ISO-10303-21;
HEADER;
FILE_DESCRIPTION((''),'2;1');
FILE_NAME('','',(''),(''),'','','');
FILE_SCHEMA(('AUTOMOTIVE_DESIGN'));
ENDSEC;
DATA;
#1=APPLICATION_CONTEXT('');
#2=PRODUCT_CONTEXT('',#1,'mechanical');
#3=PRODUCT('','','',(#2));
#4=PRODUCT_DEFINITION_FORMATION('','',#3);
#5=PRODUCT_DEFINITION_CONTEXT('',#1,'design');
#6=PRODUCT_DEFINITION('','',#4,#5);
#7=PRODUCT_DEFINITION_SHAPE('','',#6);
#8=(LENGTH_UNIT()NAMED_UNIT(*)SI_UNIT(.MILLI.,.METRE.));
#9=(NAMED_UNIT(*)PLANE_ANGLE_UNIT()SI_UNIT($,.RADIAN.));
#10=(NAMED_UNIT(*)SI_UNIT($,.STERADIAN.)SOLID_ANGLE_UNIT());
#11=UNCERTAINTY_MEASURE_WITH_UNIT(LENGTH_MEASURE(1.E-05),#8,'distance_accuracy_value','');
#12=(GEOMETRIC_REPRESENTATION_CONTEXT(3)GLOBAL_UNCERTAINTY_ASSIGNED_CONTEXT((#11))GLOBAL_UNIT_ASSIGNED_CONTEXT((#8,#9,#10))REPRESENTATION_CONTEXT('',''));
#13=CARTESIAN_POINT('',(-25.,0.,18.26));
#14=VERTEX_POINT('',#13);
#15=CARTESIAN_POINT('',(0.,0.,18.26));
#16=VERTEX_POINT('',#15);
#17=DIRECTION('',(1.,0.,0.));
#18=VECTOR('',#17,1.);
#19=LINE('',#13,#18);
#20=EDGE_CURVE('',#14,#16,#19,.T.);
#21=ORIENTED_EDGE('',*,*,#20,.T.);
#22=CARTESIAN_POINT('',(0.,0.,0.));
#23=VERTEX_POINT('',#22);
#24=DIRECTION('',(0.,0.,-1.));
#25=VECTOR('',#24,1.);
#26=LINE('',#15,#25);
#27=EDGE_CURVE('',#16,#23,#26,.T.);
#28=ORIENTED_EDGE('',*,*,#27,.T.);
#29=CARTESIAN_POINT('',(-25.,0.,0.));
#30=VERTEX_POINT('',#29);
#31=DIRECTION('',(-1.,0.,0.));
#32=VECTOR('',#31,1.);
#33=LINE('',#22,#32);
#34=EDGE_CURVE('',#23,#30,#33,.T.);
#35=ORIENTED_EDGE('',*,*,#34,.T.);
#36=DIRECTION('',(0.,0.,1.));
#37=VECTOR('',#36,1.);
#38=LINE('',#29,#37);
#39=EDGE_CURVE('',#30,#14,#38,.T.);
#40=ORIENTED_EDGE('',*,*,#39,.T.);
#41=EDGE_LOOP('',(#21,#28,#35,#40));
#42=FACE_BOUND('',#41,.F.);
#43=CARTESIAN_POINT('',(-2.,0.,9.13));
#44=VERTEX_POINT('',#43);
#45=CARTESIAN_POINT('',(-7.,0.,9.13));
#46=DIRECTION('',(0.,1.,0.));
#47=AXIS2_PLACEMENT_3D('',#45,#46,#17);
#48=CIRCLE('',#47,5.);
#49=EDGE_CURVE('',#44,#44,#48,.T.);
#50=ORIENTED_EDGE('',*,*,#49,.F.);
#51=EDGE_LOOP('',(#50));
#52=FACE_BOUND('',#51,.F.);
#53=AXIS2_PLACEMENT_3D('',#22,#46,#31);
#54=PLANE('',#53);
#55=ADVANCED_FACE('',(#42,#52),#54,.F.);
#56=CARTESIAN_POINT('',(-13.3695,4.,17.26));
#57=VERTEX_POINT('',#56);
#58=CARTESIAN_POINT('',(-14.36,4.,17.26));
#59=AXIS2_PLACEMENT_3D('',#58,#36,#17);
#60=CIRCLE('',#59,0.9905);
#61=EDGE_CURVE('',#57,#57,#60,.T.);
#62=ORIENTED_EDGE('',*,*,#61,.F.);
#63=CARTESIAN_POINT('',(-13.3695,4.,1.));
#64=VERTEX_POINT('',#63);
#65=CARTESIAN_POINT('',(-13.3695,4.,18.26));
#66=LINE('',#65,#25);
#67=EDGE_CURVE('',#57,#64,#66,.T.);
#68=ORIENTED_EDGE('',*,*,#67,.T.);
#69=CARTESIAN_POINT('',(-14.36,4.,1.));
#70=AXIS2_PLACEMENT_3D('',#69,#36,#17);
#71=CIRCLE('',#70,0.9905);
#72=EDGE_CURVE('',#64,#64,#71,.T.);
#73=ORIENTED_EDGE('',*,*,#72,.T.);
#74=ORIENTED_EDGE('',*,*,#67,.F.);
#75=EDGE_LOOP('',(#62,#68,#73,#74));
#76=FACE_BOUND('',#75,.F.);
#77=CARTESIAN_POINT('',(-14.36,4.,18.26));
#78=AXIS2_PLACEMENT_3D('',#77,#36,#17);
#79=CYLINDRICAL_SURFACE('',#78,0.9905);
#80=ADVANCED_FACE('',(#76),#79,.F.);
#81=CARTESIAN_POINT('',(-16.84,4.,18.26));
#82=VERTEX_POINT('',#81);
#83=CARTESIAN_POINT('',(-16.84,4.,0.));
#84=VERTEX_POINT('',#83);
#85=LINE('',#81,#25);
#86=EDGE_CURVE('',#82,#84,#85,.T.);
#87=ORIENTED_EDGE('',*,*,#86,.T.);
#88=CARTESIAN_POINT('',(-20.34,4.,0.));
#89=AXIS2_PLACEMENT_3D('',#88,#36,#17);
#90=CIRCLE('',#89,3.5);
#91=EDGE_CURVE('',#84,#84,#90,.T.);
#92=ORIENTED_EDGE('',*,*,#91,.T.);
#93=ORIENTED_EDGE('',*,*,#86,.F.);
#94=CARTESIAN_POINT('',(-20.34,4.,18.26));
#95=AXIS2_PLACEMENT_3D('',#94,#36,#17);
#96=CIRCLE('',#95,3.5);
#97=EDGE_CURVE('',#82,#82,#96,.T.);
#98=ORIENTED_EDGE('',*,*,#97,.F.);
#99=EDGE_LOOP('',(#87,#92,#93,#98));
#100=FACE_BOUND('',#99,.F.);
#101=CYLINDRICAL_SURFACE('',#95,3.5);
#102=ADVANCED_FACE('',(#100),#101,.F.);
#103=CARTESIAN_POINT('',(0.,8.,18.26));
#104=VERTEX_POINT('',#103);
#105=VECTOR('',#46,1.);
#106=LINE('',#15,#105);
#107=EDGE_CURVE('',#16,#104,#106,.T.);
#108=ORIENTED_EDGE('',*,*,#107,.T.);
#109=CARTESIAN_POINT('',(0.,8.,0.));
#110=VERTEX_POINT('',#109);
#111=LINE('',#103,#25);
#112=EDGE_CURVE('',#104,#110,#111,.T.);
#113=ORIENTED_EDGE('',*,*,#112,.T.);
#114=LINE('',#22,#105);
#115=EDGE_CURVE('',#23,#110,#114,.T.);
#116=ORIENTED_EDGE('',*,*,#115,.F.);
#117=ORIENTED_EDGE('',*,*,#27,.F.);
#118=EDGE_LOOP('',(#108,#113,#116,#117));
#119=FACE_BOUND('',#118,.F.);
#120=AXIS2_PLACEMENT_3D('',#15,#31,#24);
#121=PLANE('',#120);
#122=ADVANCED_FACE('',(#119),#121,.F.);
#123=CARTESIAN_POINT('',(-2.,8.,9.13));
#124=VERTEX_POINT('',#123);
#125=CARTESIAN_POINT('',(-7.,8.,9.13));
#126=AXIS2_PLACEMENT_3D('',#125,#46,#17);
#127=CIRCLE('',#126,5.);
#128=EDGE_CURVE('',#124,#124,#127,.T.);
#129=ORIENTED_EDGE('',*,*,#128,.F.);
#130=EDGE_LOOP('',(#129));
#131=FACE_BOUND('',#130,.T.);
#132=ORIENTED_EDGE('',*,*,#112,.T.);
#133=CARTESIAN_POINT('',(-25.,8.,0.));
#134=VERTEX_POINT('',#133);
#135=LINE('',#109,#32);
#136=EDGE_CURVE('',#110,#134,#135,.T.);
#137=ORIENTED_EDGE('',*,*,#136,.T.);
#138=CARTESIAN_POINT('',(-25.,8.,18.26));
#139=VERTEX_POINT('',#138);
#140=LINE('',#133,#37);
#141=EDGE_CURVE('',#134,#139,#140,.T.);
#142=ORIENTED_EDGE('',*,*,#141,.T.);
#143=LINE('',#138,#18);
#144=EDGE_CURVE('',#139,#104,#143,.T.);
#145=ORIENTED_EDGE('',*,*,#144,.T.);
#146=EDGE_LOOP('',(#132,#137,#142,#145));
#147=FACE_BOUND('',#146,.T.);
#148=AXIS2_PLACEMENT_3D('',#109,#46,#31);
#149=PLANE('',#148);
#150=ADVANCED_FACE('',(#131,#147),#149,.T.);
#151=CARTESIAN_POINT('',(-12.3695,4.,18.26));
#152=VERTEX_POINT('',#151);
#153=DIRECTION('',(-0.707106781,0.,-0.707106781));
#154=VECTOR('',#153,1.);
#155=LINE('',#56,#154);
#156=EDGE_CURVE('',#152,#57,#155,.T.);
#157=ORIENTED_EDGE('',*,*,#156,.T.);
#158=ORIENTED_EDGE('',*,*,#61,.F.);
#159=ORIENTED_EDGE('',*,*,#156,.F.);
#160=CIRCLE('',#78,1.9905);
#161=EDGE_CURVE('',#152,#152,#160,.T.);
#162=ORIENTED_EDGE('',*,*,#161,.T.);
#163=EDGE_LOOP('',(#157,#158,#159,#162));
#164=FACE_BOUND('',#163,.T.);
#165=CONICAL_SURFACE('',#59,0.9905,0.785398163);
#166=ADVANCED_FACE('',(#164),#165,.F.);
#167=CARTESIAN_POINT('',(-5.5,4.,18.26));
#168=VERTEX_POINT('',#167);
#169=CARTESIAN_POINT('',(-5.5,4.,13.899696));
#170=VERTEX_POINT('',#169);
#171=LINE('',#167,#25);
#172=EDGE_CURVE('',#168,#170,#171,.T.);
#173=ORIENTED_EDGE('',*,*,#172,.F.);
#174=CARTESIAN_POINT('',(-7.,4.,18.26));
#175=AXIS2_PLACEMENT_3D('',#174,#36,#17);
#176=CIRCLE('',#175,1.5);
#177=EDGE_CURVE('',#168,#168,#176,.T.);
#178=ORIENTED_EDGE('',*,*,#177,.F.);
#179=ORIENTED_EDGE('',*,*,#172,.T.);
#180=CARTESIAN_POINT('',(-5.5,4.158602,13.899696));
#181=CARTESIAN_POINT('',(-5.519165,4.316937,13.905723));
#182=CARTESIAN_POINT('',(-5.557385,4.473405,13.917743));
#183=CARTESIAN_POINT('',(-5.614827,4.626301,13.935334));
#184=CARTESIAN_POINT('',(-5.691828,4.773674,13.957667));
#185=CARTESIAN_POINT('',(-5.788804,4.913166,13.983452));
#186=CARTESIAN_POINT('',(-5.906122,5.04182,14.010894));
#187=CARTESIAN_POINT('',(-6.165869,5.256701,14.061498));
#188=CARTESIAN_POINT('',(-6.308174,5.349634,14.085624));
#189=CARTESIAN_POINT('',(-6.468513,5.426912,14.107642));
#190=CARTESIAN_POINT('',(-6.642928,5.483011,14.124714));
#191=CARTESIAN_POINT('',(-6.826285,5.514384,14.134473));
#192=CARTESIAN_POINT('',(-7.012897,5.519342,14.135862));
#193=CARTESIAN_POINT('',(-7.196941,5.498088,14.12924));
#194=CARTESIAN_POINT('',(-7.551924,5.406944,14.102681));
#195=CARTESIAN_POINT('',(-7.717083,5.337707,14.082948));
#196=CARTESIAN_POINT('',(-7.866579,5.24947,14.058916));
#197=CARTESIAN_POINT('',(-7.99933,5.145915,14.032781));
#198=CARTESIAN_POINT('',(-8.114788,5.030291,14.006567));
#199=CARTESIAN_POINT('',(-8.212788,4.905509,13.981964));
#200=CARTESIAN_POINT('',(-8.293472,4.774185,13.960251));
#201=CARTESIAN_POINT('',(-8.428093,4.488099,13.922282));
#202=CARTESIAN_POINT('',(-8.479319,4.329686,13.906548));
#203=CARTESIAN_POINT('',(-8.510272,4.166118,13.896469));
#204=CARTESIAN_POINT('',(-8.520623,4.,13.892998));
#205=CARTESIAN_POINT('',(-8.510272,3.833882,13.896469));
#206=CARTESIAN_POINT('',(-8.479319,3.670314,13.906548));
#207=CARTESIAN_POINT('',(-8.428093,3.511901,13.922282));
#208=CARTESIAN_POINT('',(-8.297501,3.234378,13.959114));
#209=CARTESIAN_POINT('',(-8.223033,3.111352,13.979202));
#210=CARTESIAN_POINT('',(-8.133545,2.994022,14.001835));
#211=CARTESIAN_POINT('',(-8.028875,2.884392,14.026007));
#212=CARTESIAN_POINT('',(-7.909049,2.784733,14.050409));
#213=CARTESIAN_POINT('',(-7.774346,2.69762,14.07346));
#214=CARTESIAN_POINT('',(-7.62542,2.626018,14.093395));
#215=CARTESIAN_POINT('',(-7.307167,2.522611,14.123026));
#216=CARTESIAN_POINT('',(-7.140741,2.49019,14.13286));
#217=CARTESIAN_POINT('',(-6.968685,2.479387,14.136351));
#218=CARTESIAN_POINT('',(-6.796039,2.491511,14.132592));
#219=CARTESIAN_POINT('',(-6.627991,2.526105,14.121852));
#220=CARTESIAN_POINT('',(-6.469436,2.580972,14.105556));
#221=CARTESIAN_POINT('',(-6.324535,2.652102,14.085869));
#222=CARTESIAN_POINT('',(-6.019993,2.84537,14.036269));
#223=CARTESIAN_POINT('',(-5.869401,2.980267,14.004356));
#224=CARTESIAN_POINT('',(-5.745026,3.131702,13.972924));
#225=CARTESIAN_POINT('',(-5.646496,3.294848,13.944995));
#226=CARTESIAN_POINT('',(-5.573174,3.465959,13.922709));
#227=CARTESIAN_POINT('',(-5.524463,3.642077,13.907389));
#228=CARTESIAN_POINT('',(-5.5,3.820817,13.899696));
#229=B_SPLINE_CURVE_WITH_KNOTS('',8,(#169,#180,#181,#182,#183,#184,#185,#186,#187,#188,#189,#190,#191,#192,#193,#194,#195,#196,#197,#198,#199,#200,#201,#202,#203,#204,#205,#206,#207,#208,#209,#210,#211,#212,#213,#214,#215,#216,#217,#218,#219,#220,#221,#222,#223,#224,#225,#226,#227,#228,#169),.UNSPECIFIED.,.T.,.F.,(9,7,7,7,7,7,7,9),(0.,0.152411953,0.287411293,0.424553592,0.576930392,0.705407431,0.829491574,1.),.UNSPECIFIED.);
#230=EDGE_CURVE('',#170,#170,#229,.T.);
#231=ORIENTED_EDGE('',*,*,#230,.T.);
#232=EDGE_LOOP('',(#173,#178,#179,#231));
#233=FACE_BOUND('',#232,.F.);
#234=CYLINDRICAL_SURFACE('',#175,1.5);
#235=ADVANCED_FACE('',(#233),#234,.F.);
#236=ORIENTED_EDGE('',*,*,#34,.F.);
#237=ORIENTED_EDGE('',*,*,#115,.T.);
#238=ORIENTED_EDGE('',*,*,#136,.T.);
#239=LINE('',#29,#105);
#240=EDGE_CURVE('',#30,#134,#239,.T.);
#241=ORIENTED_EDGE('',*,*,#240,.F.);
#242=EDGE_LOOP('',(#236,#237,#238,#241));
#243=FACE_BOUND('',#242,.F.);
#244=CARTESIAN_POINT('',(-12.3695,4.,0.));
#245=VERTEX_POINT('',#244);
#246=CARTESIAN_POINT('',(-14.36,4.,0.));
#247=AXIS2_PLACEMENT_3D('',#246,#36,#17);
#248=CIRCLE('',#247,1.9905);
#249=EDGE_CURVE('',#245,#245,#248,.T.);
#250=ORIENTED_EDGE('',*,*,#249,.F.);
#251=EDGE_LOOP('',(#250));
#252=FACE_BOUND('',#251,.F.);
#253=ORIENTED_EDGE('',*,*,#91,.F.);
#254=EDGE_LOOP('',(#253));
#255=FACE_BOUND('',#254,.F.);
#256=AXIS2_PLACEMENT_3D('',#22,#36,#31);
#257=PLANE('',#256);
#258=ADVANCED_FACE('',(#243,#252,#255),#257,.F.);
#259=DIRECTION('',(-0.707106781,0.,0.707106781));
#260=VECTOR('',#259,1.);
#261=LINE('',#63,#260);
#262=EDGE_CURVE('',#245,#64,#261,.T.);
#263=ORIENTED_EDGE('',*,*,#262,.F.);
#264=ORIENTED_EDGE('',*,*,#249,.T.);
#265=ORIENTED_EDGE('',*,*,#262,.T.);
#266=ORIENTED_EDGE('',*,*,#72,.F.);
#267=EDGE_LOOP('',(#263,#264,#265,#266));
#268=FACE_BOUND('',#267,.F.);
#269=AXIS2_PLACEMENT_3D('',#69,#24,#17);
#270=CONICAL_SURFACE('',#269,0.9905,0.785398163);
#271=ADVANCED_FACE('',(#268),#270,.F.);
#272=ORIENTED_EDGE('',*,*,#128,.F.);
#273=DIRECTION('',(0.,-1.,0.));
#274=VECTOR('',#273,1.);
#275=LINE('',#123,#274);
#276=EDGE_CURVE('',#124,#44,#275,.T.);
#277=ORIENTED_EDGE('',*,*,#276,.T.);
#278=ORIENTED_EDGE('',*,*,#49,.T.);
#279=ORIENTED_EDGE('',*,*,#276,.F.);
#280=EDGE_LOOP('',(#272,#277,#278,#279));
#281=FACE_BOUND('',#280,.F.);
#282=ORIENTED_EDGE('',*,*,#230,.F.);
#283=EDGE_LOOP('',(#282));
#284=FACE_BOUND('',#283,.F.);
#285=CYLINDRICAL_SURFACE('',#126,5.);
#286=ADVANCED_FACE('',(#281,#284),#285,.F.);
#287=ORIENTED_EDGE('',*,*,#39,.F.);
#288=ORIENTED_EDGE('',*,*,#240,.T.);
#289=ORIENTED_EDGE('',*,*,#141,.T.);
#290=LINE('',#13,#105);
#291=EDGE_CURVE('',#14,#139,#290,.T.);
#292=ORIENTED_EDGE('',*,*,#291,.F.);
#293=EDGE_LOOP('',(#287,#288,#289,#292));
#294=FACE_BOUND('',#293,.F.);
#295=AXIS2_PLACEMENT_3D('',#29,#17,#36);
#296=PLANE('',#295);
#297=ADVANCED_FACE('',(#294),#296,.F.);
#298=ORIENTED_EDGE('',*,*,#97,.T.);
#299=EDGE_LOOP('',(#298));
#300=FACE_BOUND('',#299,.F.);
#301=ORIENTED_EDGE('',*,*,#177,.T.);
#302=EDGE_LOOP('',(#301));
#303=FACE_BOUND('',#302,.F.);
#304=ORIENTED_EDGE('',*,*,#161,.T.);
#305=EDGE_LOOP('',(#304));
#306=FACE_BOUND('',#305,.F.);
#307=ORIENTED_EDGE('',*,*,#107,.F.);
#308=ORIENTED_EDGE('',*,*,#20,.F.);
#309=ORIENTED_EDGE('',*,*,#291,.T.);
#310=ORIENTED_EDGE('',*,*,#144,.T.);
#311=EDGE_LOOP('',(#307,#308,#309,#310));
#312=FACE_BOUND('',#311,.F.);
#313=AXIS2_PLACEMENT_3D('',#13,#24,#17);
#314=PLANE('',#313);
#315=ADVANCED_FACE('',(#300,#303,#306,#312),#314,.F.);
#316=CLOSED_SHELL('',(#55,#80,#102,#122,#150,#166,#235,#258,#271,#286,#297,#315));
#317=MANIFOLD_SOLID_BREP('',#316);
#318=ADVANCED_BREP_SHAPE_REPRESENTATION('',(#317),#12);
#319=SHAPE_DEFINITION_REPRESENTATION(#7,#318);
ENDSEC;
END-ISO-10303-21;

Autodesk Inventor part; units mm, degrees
ref_plane "YZ Plane" through (0, 0, 0) normal (1, 0, 0) x (0, 1, 0)
ref_plane "XZ Plane" through (0, 0, 0) normal (0, 1, 0) x (-1, 0, 0)
ref_plane "XY Plane" through (0, 0, 0) normal (0, 0, 1) x (1, 0, 0)
sketch "Sketch1" plane through (0, 0, 0) normal (0, 1, 0) x (-1, 0, 0)
  line L0 (0, 0) -> (25, 0)
  line L1 (25, 0) -> (25, 18.26)
  line L2 (25, 18.26) -> (0, 18.26)
  line L3 (0, 18.26) -> (0, 0)
  dimension "d0" = 25
  dimension "d1" = 18.26
extrude "Extrusion1" add sketch "Sketch1" along normal blind 8
sketch "Sketch2" plane through (0, 8, 0) normal (0, 1, 0) x (1, 0, 0)
  line L0 (0, 0) -> (-25, 0) projected
  line L1 (0, -18.26) -> (0, 0) projected
  circle A0 centre (-7, -9.13) radius 5
  dimension "d4" = 10
  dimension "d5" = 7
  dimension "d6" = 9.13
extrude "Extrusion2" cut sketch "Sketch2" against normal blind 8
sketch "Sketch3" plane through (-25, 0, 18.26) normal (0, 0, 1) x (1, 0, 0)
  line L0 (0, 0) -> (25, 0) projected
  line L1 (25, 0) -> (25, 8) projected
  circle A0 centre (4.66, 4) radius 3.5
  circle A1 centre (10.64, 4) radius 0.9905
  dimension "d9" = 7
  dimension "d10" = 1.981
  dimension "d13" = 14.36
  dimension "d14" = 20.34
  dimension "d15" = 4
extrude "Extrusion3" cut sketch "Sketch3" against normal blind 18.5
sketch "Sketch4" plane through (-25, 0, 18.26) normal (0, 0, 1) x (1, 0, 0)
  line L0 (0, 0) -> (25, 0) projected
  line L1 (25, 0) -> (25, 8) projected
  circle A0 centre (18, 4) radius 1.5
  dimension "d18" = 3
  dimension "d19" = 7
  dimension "d20" = 4
extrude "Extrusion4" cut sketch "Sketch4" against normal blind 6.5
chamfer "Chamfer1" distance 1 angle 45 2 edges at (-15.3505, 4, 18.26) (-15.3505, 4, 0)
properties part number "HeaterBlock"
